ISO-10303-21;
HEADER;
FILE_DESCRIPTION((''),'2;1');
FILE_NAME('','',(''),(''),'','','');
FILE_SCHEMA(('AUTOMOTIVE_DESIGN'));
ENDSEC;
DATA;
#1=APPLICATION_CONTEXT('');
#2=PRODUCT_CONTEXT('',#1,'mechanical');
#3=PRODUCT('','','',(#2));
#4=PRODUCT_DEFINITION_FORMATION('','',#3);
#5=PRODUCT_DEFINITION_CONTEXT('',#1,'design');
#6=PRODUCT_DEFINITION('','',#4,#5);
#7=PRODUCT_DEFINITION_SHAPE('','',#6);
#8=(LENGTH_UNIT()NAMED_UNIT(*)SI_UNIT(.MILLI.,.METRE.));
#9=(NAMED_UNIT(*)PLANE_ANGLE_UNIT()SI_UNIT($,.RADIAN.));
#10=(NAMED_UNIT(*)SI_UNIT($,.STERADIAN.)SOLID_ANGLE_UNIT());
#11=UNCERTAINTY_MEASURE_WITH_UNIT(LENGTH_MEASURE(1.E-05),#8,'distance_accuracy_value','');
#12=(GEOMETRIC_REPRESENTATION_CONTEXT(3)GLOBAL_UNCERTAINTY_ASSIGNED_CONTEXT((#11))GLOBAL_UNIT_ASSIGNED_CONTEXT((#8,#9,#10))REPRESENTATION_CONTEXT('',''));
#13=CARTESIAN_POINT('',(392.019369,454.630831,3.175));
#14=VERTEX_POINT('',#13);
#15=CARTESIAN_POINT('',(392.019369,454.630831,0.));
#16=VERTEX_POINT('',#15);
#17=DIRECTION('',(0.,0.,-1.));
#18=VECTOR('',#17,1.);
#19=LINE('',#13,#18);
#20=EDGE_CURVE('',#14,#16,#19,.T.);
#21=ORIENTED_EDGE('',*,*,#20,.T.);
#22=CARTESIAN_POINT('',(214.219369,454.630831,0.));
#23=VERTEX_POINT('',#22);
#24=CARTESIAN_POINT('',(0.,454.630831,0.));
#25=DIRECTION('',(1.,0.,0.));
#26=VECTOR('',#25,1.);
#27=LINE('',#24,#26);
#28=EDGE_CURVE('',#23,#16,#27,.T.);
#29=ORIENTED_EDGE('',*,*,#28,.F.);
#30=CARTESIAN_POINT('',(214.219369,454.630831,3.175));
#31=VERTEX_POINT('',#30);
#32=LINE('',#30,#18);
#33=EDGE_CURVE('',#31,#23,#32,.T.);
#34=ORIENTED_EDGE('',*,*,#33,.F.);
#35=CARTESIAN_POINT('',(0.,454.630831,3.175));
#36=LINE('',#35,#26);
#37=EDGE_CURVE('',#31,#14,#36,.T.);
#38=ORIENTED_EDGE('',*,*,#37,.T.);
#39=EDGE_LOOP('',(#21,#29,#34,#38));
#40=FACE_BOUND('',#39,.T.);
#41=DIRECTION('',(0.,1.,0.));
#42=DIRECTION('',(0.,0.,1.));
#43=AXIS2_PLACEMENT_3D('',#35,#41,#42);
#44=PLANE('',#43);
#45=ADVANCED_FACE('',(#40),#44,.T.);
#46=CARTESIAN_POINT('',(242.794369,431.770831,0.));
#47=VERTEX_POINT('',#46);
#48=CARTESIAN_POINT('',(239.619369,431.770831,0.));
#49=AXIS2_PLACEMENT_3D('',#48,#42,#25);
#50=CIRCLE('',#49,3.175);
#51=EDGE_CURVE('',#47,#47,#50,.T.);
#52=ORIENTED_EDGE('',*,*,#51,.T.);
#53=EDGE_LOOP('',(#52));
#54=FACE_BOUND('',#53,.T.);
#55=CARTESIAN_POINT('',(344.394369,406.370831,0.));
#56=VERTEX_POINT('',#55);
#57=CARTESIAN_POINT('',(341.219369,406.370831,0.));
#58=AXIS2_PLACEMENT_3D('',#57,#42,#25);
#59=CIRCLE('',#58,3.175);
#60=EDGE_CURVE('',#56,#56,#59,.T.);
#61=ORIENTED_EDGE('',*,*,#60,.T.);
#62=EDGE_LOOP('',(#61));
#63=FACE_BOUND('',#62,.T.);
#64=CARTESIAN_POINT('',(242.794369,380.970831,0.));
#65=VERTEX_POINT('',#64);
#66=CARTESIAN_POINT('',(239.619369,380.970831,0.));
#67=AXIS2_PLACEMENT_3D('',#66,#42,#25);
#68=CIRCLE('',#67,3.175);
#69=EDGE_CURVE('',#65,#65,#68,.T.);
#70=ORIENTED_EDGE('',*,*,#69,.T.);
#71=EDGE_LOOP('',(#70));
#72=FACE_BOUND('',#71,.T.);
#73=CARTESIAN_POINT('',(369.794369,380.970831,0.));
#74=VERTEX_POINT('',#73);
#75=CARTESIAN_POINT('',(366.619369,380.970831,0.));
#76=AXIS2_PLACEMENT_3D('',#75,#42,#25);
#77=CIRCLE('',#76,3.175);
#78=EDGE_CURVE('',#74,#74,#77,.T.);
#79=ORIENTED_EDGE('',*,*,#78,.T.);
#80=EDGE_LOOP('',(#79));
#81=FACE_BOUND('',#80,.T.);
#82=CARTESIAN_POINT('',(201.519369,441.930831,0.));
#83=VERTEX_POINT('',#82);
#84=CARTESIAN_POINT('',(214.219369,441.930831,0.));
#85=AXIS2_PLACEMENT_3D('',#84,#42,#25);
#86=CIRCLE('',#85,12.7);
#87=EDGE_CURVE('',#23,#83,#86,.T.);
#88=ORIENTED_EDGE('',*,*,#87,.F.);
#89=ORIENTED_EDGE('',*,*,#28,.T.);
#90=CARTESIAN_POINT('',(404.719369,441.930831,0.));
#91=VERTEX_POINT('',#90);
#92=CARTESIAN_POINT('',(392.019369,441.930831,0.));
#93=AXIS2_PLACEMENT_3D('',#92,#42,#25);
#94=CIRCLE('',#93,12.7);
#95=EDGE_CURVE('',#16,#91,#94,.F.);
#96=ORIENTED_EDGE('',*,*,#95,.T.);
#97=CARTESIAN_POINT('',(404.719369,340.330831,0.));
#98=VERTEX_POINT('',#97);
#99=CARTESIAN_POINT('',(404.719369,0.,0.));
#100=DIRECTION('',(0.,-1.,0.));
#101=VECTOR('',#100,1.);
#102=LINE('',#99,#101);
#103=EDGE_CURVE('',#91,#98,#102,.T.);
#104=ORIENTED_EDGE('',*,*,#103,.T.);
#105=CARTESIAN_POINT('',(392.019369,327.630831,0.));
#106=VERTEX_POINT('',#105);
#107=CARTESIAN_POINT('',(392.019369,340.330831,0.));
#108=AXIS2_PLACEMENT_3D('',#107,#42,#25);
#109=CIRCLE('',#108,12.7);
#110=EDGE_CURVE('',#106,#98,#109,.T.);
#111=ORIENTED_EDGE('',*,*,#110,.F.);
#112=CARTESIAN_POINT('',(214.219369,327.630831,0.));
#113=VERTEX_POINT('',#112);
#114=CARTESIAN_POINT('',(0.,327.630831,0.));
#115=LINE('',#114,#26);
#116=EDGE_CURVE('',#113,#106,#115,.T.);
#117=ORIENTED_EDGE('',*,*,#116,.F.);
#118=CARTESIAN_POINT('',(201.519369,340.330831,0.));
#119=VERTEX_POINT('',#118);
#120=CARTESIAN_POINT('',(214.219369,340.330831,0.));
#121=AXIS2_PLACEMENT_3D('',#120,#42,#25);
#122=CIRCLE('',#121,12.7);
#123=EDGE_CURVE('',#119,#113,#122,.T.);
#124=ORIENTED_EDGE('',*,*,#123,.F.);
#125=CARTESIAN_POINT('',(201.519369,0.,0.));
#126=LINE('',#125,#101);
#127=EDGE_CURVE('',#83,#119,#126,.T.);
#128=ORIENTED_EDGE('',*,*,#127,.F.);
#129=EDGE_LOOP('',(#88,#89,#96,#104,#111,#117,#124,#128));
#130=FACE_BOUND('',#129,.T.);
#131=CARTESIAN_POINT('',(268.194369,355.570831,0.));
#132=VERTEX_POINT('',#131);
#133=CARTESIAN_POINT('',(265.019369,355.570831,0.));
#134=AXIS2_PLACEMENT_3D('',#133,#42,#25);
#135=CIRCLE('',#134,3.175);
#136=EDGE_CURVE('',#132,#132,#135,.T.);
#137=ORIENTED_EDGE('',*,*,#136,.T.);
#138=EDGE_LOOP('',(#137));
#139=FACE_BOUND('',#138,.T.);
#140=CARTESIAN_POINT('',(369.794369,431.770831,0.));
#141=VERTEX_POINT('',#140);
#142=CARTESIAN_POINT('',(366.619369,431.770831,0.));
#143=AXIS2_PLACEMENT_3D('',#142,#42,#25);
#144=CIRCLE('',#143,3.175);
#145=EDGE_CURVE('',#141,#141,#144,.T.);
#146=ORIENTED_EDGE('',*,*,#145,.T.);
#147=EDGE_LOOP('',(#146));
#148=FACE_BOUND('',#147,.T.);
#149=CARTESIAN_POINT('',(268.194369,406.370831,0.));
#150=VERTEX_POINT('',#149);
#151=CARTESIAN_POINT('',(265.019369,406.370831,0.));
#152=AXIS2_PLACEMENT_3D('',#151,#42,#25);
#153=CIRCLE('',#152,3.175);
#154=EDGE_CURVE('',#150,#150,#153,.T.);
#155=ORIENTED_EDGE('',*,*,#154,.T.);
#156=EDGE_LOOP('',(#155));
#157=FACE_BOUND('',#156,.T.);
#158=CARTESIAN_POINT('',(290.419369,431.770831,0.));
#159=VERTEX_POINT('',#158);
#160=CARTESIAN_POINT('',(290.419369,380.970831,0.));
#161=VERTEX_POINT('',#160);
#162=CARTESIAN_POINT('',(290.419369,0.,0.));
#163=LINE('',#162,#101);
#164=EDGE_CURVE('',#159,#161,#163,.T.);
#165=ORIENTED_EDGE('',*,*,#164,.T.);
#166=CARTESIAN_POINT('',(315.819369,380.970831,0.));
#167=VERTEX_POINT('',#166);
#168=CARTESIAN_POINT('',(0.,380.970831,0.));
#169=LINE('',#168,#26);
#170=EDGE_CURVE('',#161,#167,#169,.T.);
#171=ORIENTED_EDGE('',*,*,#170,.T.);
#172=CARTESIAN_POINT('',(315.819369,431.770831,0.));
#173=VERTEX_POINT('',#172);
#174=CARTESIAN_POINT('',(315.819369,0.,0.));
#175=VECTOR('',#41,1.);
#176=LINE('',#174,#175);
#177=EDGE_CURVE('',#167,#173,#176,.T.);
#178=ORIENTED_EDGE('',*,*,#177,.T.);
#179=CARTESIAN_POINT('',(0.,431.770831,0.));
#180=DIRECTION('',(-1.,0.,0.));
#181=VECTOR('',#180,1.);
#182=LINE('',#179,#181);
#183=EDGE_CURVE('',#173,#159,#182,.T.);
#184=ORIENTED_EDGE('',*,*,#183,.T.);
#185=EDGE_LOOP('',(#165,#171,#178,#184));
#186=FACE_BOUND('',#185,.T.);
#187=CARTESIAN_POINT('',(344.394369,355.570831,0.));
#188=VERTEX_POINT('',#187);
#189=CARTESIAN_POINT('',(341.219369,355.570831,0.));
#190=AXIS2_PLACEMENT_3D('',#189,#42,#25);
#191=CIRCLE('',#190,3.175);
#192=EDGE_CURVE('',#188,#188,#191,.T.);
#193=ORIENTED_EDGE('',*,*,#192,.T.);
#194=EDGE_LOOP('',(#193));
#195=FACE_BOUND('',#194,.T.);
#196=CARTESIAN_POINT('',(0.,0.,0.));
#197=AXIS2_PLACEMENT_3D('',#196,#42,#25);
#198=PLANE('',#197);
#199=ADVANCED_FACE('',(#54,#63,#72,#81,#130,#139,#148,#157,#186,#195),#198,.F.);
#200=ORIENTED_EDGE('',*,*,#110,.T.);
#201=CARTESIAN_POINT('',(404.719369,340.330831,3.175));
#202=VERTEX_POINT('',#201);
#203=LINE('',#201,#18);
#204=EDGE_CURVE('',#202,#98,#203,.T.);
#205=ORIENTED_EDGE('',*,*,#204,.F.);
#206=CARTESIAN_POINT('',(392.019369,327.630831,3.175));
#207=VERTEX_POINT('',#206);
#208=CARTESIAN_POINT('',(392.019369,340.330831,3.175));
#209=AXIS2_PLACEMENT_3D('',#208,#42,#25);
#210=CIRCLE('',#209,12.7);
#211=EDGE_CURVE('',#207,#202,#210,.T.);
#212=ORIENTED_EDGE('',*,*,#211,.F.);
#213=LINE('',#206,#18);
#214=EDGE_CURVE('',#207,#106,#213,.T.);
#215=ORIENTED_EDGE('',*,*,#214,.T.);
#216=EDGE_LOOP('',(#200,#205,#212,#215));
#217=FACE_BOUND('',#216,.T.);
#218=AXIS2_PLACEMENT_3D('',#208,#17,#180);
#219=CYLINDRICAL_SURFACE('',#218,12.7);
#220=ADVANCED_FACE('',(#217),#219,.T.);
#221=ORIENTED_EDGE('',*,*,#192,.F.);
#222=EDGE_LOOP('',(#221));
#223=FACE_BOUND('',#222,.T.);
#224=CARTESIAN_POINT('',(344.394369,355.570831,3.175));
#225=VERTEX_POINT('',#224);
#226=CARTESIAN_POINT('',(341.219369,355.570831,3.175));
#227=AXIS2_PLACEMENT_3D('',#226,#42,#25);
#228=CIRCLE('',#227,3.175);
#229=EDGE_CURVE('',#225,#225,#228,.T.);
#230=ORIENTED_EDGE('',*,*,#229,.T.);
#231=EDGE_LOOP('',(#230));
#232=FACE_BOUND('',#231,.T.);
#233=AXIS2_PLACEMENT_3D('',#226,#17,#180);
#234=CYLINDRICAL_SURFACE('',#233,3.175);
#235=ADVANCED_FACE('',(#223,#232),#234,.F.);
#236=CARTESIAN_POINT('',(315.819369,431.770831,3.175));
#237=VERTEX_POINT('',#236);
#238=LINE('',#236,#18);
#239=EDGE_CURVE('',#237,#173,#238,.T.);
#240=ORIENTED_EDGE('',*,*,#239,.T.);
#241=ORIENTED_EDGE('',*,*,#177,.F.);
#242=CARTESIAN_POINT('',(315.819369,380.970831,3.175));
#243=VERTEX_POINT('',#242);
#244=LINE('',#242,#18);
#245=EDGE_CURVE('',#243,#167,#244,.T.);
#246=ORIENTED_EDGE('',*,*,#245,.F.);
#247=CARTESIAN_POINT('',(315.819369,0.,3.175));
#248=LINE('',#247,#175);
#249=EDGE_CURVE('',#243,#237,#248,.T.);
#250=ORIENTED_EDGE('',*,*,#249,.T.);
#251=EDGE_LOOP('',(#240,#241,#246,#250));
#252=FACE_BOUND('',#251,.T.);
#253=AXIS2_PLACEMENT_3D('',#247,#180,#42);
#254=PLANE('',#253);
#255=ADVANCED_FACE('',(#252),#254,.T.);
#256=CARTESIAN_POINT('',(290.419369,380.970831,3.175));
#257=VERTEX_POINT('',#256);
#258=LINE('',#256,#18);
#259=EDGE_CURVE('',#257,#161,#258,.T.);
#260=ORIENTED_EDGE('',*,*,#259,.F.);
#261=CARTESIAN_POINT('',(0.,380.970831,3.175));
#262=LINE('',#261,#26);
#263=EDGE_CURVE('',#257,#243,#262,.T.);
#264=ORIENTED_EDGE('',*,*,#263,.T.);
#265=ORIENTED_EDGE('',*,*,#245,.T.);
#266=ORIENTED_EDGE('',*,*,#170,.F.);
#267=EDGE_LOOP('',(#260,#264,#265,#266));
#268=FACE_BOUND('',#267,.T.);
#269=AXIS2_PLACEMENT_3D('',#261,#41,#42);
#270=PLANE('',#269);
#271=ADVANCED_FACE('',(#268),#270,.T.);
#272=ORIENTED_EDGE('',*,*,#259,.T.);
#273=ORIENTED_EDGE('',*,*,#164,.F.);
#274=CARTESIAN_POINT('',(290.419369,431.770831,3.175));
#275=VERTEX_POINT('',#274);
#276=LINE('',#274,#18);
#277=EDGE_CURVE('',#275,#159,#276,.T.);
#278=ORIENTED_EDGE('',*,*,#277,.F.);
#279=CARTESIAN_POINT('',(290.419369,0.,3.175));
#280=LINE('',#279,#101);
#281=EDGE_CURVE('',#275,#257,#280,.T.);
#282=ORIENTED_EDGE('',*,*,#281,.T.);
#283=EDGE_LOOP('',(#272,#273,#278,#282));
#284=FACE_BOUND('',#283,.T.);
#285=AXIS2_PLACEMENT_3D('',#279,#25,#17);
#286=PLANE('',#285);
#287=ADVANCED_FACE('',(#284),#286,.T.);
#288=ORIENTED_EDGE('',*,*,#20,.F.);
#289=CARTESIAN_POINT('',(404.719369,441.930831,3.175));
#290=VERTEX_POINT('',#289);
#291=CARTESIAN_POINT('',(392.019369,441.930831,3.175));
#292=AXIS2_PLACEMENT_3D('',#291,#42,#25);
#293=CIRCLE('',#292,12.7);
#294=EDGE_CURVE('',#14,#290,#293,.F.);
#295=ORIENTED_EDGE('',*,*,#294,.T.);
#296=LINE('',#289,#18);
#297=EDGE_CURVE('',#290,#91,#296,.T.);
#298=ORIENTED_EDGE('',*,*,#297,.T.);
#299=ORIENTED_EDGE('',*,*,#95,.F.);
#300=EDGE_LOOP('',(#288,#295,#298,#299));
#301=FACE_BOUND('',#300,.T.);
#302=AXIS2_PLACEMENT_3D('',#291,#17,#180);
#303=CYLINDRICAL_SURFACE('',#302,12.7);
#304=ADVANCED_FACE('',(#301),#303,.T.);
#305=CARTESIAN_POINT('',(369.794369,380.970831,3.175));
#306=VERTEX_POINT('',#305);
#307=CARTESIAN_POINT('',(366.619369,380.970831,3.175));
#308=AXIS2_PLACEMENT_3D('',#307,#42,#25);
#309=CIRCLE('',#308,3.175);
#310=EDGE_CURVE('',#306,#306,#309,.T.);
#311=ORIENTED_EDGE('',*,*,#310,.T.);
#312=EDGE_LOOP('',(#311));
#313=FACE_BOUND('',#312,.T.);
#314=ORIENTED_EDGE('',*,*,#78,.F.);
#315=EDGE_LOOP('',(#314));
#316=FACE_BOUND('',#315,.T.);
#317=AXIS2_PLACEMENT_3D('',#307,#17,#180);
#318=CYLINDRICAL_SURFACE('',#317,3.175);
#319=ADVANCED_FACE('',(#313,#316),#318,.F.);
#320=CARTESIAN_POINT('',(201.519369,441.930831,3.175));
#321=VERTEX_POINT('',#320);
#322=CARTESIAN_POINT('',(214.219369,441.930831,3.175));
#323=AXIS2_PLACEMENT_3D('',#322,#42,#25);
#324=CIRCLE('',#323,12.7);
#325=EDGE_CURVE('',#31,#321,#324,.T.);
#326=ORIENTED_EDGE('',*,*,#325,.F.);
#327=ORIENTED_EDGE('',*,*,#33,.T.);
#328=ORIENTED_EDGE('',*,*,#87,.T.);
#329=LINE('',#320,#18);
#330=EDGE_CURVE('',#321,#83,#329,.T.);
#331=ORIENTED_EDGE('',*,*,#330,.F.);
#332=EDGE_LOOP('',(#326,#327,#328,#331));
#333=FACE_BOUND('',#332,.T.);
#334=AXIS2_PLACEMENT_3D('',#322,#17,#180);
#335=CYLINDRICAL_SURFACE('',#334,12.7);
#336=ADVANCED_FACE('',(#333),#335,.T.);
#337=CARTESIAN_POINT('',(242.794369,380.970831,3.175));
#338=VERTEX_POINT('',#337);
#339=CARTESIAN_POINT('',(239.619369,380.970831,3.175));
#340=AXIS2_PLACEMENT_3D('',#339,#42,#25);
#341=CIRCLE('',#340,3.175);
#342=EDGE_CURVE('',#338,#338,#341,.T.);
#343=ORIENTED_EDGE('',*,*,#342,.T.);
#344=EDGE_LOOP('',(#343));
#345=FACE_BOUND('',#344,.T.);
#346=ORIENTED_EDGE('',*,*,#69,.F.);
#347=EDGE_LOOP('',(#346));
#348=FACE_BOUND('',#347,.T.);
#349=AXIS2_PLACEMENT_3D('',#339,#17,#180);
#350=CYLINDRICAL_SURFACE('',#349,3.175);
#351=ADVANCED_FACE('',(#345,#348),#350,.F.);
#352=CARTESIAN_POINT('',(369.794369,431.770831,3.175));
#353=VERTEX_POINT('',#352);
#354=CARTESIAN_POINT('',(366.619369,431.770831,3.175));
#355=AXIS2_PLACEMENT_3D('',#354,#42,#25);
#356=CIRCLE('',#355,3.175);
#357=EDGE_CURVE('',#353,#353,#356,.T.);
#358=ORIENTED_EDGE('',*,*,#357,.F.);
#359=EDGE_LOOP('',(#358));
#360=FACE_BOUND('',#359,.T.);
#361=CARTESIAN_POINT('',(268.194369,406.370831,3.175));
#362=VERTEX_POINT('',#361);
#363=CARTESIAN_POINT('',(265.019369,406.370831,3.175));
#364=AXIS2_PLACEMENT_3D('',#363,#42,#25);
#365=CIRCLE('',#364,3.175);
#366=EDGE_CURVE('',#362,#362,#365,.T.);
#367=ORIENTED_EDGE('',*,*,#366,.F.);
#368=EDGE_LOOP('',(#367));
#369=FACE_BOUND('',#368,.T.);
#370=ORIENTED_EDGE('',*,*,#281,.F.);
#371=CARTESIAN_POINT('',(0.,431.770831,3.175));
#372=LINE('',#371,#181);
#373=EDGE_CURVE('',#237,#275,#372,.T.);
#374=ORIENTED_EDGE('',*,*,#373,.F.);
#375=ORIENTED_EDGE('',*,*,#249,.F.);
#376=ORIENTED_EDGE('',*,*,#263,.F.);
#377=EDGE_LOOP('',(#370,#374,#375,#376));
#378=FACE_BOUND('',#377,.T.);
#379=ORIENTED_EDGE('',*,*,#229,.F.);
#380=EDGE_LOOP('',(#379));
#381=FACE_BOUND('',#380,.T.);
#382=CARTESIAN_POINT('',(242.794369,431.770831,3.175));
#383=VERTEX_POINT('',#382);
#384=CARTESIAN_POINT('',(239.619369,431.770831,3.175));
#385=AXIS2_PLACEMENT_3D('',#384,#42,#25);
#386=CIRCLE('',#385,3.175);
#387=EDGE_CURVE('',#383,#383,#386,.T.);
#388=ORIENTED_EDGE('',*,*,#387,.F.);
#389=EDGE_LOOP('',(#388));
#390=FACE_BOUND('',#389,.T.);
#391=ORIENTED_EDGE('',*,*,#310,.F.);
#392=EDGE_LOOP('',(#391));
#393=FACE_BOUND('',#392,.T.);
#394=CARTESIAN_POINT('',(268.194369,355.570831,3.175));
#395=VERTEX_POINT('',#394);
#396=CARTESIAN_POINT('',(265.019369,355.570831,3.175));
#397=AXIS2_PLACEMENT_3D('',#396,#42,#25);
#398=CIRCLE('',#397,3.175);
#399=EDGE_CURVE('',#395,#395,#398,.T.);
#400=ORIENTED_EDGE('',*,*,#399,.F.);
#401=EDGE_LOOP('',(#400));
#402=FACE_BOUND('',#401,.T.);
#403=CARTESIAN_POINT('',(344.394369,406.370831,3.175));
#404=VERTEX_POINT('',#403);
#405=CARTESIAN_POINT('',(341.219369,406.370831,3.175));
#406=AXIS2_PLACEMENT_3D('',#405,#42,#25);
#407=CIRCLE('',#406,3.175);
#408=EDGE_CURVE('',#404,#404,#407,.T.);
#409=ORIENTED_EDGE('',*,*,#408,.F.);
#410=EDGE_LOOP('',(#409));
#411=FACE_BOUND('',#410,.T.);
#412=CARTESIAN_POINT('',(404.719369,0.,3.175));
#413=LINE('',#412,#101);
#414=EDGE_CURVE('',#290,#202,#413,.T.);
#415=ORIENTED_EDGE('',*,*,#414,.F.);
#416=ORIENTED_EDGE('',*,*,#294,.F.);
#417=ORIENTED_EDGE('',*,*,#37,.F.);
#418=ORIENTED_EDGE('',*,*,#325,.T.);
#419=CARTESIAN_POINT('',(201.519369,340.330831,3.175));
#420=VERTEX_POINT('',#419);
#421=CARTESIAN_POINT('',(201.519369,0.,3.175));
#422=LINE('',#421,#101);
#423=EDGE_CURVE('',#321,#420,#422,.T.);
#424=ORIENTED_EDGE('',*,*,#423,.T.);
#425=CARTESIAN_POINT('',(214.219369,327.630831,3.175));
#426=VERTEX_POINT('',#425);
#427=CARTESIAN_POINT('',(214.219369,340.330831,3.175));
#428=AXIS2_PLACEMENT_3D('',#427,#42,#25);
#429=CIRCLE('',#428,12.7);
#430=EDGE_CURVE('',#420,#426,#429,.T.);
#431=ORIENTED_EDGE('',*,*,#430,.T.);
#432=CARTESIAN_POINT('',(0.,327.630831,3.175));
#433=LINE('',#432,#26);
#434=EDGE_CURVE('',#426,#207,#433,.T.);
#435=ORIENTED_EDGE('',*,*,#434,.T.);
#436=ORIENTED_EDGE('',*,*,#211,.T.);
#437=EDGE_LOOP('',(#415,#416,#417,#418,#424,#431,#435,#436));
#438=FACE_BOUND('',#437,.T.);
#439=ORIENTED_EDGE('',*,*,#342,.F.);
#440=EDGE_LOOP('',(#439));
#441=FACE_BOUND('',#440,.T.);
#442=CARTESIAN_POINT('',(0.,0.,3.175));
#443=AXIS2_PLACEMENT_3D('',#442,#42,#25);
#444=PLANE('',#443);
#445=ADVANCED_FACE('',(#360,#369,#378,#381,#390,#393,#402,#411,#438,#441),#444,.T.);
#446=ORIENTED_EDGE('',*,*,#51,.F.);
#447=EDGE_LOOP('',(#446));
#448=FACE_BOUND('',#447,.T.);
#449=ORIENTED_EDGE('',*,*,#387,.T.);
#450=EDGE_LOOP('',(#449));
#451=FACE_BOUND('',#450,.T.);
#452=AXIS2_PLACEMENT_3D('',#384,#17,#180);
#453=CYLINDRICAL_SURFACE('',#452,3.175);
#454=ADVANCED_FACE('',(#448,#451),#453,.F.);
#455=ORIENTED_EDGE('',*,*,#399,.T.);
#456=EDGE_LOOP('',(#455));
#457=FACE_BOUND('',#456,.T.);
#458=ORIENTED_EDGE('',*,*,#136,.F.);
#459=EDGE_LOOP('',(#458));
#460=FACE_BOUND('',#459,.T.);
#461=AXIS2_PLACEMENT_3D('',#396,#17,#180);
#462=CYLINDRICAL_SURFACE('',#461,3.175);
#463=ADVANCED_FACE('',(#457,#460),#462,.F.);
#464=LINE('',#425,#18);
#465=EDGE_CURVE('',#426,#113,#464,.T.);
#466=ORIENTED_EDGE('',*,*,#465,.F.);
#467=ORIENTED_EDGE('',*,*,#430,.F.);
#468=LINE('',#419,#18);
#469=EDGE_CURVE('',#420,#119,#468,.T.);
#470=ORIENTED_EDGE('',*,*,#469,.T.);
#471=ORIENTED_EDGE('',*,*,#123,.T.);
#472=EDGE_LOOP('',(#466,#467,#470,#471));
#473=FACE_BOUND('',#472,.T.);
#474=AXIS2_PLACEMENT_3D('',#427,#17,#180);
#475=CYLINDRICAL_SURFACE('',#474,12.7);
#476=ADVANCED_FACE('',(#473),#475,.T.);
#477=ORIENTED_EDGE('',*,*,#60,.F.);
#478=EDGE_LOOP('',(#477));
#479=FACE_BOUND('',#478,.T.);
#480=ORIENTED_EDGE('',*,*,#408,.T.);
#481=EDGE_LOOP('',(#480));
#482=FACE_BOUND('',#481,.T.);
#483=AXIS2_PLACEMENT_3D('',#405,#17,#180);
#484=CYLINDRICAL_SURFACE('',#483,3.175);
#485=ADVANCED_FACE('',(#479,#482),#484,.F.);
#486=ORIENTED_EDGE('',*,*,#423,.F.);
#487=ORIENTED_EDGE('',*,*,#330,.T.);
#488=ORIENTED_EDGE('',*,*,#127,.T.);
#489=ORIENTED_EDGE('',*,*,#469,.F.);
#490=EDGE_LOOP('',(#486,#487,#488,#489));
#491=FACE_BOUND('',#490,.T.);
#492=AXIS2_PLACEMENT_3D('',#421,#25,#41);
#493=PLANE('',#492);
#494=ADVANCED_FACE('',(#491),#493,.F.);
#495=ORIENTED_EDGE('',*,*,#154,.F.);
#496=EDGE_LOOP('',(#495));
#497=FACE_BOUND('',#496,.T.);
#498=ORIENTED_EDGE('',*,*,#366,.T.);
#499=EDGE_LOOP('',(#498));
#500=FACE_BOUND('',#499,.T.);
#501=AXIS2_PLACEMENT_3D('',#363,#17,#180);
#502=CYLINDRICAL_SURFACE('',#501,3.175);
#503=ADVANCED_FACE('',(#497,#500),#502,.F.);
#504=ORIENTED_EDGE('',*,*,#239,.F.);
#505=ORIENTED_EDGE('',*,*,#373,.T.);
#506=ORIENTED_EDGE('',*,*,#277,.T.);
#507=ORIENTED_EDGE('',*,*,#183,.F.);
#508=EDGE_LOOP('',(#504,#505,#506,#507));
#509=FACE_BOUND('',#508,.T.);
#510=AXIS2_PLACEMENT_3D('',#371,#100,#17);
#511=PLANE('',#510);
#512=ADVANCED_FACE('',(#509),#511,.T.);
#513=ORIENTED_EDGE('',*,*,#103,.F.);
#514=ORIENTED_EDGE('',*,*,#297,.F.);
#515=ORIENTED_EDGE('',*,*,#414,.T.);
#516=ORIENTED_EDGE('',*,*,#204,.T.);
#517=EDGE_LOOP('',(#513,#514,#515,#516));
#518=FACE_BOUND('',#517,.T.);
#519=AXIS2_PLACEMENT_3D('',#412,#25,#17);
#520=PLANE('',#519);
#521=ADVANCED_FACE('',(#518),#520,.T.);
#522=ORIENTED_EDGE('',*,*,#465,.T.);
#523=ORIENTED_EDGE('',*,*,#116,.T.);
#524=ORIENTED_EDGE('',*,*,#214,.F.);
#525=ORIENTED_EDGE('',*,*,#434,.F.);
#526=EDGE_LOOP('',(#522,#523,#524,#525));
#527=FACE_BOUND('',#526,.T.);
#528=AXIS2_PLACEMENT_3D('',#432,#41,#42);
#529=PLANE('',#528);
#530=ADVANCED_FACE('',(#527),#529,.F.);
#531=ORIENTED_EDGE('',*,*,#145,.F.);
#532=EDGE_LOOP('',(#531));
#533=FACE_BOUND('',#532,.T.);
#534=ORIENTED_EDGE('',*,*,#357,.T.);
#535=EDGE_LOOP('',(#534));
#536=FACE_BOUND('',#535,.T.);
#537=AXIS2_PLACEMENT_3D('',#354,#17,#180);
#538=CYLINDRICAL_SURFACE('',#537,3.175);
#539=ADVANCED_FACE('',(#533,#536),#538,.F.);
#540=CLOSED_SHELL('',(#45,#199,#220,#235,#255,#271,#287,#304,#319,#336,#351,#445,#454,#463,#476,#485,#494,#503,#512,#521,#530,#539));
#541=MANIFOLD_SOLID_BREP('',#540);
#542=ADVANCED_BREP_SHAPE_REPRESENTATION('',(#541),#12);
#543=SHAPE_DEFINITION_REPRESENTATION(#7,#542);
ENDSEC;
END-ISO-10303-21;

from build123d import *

# Parameters (mm, degrees)
SKETCH1_R           = 3.175
SKETCH1_W           = 25.4
SKETCH1_H           = 50.8
BOSS_EXTRUDE1_DEPTH = 3.175


with BuildPart() as part:
    # Sketch1 → Boss-Extrude1 (new body)
    with BuildSketch(Plane.XY):
        with BuildLine():
            Line((214.219369126, 454.630831078), (392.019369126, 454.630831078))
            ThreePointArc((392.019369126, 454.630831078), (400.999625247, 450.911087199), (404.719369126, 441.930831078))
            Line((404.719369126, 441.930831078), (404.719369126, 340.330831078))
            ThreePointArc((404.719369126, 340.330831078), (400.999625247, 331.350574957), (392.019369126, 327.630831078))
            Line((392.019369126, 327.630831078), (214.219369126, 327.630831078))
            ThreePointArc((214.219369126, 327.630831078), (205.239113005, 331.350574957), (201.519369126, 340.330831078))
            Line((201.519369126, 340.330831078), (201.519369126, 441.930831078))
            ThreePointArc((201.519369126, 441.930831078), (205.239113005, 450.911087199), (214.219369126, 454.630831078))
        make_face()
        with Locations((265.019369126, 406.370831078)):
            Circle(SKETCH1_R, mode=Mode.SUBTRACT)
        with Locations((239.619369126, 431.770831078)):
            Circle(SKETCH1_R, mode=Mode.SUBTRACT)
        with Locations((239.619369126, 380.970831078)):
            Circle(SKETCH1_R, mode=Mode.SUBTRACT)
        with Locations((366.619369126, 380.970831078)):
            Circle(SKETCH1_R, mode=Mode.SUBTRACT)
        with Locations((341.219369126, 406.370831078)):
            Circle(SKETCH1_R, mode=Mode.SUBTRACT)
        with Locations((366.619369126, 431.770831078)):
            Circle(SKETCH1_R, mode=Mode.SUBTRACT)
        with Locations((265.019369126, 355.570831078)):
            Circle(SKETCH1_R, mode=Mode.SUBTRACT)
        with Locations((341.219369126, 355.570831078)):
            Circle(SKETCH1_R, mode=Mode.SUBTRACT)
        with Locations((303.119369126, 406.370831078)):
            Rectangle(SKETCH1_W, SKETCH1_H, mode=Mode.SUBTRACT)
    extrude(amount=BOSS_EXTRUDE1_DEPTH)


solid = part.part
